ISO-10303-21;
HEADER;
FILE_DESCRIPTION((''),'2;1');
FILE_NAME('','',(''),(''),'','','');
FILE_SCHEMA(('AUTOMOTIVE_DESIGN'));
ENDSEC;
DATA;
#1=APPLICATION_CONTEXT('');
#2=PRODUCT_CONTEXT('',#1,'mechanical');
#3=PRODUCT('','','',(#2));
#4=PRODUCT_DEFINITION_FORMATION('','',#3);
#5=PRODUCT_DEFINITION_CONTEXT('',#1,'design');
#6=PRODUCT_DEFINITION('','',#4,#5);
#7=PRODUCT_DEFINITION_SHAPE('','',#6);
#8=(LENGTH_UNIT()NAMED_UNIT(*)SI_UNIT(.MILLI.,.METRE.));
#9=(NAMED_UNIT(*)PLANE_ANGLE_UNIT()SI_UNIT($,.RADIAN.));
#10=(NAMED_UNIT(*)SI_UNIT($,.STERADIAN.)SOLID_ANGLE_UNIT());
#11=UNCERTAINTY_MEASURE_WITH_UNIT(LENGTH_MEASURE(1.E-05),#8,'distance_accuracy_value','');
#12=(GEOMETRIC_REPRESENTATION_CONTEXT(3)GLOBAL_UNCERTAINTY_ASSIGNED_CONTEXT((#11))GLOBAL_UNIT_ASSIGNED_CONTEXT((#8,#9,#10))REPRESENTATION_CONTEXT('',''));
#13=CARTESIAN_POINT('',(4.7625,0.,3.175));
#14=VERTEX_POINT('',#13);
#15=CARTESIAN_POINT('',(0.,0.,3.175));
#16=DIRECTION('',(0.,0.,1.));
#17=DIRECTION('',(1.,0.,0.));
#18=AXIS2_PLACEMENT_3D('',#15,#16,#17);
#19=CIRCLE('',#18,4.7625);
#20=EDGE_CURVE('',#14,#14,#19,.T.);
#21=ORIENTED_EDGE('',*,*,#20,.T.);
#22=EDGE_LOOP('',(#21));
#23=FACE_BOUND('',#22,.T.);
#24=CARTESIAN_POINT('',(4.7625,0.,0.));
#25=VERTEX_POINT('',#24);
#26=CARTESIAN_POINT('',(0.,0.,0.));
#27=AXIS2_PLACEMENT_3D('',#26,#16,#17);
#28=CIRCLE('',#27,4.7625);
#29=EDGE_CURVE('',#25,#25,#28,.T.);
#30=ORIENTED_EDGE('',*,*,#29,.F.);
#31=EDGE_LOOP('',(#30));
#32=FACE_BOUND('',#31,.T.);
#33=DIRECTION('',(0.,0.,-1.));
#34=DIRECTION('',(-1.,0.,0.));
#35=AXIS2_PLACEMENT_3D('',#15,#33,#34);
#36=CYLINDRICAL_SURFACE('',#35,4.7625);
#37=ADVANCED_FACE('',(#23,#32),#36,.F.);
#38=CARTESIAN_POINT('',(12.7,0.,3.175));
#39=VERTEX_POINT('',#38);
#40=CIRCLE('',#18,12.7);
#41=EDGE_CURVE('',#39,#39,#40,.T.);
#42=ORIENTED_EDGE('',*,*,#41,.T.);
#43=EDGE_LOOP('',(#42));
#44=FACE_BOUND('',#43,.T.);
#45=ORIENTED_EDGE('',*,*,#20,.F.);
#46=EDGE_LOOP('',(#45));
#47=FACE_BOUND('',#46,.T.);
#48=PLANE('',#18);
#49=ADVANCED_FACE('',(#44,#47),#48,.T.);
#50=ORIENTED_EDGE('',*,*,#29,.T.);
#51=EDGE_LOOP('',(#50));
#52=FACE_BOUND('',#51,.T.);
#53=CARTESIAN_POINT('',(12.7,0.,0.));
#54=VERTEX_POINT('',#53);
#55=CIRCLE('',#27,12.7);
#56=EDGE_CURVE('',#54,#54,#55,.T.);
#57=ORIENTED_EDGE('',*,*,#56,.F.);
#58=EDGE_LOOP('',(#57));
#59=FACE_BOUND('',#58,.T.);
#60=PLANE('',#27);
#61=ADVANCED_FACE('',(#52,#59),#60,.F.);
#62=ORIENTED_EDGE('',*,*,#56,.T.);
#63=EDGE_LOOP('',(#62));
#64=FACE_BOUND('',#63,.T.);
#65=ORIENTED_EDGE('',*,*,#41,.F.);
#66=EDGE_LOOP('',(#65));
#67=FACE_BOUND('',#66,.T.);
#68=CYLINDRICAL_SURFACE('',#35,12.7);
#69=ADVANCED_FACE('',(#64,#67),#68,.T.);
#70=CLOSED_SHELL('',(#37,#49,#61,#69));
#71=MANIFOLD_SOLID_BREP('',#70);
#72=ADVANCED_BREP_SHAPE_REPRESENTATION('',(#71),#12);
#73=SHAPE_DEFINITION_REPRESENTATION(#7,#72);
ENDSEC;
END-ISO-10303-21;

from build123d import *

# Parameters (mm, degrees)
CROQUIS1_R              = 12.7
CROQUIS1_R_2            = 4.7625
SALIENTE_EXTRUIR1_DEPTH = 3.175


with BuildPart() as part:
    # Croquis1 → Saliente-Extruir1 (new body)
    with BuildSketch(Plane.XY):
        Circle(CROQUIS1_R)
        Circle(CROQUIS1_R_2, mode=Mode.SUBTRACT)
    extrude(amount=SALIENTE_EXTRUIR1_DEPTH)


solid = part.part
